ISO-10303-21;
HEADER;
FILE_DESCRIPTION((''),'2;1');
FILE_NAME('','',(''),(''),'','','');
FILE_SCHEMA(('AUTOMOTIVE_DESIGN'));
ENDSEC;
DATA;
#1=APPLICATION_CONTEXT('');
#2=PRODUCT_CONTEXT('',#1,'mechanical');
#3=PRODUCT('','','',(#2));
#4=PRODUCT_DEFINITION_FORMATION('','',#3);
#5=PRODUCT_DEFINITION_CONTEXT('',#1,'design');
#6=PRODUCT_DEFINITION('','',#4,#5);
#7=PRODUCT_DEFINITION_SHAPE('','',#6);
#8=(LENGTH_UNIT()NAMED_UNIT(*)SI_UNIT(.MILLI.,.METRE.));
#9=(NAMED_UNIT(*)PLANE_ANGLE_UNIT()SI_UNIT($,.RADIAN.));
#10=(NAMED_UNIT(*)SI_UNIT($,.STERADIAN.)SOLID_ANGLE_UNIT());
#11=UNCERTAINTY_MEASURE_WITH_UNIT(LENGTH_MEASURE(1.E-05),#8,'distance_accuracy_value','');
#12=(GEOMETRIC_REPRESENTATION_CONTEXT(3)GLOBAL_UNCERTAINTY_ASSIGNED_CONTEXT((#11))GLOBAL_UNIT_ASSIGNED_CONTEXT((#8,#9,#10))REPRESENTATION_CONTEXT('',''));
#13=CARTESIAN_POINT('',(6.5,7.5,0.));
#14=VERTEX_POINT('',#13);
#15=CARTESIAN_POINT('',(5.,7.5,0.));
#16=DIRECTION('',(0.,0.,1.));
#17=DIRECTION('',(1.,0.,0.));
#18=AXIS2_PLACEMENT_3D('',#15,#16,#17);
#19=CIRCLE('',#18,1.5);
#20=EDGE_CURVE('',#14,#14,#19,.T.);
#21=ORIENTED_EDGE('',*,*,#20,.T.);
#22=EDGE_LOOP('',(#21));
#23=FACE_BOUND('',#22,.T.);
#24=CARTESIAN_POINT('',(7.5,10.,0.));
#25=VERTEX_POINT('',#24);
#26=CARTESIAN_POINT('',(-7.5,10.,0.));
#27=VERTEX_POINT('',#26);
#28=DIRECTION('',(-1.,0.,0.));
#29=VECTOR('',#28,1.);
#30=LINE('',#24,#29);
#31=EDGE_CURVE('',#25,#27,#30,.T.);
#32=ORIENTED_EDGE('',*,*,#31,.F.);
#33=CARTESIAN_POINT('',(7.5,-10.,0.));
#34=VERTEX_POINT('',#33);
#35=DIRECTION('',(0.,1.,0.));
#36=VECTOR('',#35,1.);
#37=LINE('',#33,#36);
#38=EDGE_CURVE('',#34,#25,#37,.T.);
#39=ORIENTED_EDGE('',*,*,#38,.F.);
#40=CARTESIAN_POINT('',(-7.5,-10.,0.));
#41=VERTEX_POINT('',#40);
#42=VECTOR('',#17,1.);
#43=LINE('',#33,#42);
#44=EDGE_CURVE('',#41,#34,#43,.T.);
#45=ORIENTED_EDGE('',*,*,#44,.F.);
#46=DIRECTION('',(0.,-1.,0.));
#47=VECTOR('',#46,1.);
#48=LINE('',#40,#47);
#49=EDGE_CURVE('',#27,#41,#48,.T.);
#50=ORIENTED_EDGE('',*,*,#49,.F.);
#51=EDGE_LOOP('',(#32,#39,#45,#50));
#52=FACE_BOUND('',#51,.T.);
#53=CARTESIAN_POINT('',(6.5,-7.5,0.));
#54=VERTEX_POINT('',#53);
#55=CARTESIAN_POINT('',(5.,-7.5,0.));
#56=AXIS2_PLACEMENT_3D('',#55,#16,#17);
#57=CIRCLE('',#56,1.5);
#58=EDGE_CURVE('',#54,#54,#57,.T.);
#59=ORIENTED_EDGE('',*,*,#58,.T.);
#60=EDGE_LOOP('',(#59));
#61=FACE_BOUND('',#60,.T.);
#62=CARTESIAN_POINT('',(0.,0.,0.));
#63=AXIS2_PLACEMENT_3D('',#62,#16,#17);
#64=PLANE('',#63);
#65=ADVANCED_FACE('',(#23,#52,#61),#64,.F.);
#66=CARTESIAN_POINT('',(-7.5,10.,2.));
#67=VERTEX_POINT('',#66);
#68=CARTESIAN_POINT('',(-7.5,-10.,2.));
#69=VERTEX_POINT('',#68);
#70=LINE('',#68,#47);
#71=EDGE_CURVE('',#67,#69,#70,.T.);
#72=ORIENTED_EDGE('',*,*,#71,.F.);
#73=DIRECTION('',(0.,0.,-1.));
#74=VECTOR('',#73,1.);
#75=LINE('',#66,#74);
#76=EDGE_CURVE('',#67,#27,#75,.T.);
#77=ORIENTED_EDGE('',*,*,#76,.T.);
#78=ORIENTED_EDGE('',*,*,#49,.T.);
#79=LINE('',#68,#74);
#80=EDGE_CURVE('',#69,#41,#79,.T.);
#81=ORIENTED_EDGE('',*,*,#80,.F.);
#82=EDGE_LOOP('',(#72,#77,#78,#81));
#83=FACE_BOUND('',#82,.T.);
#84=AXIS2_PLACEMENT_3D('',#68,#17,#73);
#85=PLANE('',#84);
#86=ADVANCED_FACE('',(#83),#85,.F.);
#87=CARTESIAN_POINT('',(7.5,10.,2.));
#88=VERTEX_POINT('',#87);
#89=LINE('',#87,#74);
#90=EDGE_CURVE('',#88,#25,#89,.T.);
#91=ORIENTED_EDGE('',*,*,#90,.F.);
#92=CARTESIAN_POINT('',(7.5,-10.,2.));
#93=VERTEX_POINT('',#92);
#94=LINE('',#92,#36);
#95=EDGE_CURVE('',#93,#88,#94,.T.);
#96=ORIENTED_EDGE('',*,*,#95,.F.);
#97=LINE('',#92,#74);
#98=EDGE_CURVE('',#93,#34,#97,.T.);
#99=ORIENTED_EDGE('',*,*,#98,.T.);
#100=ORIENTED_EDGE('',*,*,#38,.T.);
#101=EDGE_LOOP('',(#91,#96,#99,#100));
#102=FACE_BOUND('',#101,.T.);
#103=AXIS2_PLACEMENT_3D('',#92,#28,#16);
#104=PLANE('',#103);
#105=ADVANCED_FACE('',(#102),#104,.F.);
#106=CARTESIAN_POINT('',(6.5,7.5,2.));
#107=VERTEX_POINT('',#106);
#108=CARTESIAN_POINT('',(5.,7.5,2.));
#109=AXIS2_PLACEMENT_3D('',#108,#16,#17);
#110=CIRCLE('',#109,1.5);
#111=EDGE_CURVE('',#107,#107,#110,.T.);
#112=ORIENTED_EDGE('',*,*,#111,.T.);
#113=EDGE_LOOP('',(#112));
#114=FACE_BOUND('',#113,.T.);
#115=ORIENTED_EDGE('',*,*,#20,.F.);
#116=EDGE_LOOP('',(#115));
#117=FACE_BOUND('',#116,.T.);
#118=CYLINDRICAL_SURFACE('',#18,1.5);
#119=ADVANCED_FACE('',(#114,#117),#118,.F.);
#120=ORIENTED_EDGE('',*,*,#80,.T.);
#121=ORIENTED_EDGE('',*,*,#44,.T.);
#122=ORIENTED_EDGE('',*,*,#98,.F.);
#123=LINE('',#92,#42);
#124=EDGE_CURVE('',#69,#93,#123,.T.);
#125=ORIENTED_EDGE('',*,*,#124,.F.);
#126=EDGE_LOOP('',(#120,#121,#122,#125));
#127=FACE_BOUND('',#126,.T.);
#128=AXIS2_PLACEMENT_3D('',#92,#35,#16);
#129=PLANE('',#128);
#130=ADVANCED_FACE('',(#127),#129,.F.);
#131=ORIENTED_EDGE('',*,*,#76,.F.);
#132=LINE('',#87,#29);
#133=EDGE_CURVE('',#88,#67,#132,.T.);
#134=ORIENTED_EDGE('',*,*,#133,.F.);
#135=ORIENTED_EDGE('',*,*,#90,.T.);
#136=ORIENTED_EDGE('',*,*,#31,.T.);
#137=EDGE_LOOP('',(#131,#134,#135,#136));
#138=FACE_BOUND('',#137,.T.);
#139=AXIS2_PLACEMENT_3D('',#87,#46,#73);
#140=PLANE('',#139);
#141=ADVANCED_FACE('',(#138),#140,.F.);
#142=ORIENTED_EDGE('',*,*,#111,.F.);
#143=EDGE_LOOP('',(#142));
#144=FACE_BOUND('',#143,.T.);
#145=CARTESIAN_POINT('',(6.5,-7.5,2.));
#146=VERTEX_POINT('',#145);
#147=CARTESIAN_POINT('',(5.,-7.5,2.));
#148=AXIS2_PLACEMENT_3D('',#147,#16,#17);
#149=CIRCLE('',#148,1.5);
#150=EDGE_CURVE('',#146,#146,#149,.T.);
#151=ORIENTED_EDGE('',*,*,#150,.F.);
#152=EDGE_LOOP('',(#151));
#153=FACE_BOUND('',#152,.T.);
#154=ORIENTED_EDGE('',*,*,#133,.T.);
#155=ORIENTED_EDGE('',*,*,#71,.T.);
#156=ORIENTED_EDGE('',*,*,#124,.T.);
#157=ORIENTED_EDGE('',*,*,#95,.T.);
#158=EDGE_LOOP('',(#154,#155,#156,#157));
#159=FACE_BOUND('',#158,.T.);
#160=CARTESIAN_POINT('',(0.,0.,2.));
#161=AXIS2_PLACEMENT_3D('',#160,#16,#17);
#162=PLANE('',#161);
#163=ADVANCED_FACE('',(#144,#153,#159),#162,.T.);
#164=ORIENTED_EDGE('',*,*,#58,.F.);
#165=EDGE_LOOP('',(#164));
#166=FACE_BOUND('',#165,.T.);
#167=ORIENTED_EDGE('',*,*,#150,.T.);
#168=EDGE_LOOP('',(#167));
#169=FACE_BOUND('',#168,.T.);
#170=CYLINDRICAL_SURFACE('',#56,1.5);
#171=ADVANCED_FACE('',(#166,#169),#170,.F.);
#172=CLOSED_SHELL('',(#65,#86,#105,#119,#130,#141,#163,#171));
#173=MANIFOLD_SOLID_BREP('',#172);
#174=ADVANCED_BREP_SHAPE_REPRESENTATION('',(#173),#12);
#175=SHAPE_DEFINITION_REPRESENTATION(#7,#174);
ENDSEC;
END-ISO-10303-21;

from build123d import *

# Parameters (mm, degrees)
SKETCH_1_W          = 15
SKETCH_1_H          = 20
EXTRUDE_1_DEPTH     = 2
SKETCH_2_R          = 1.5
CUT_EXTRUDE_1_DEPTH = 2


with BuildPart() as part:
    # ｽｹｯﾁ1 → ﾎﾞｽ - 押し出し1 (new body)
    with BuildSketch(Plane.XY):
        Rectangle(SKETCH_1_W, SKETCH_1_H)
    extrude(amount=EXTRUDE_1_DEPTH)

    # ｽｹｯﾁ2 → ｶｯﾄ - 押し出し1 (cut)
    with BuildSketch(Plane.XY.offset(2)):
        with Locations((5, 7.5)):
            Circle(SKETCH_2_R)
        with Locations((5, -7.5)):
            Circle(SKETCH_2_R)
    extrude(amount=-CUT_EXTRUDE_1_DEPTH, mode=Mode.SUBTRACT)


solid = part.part
